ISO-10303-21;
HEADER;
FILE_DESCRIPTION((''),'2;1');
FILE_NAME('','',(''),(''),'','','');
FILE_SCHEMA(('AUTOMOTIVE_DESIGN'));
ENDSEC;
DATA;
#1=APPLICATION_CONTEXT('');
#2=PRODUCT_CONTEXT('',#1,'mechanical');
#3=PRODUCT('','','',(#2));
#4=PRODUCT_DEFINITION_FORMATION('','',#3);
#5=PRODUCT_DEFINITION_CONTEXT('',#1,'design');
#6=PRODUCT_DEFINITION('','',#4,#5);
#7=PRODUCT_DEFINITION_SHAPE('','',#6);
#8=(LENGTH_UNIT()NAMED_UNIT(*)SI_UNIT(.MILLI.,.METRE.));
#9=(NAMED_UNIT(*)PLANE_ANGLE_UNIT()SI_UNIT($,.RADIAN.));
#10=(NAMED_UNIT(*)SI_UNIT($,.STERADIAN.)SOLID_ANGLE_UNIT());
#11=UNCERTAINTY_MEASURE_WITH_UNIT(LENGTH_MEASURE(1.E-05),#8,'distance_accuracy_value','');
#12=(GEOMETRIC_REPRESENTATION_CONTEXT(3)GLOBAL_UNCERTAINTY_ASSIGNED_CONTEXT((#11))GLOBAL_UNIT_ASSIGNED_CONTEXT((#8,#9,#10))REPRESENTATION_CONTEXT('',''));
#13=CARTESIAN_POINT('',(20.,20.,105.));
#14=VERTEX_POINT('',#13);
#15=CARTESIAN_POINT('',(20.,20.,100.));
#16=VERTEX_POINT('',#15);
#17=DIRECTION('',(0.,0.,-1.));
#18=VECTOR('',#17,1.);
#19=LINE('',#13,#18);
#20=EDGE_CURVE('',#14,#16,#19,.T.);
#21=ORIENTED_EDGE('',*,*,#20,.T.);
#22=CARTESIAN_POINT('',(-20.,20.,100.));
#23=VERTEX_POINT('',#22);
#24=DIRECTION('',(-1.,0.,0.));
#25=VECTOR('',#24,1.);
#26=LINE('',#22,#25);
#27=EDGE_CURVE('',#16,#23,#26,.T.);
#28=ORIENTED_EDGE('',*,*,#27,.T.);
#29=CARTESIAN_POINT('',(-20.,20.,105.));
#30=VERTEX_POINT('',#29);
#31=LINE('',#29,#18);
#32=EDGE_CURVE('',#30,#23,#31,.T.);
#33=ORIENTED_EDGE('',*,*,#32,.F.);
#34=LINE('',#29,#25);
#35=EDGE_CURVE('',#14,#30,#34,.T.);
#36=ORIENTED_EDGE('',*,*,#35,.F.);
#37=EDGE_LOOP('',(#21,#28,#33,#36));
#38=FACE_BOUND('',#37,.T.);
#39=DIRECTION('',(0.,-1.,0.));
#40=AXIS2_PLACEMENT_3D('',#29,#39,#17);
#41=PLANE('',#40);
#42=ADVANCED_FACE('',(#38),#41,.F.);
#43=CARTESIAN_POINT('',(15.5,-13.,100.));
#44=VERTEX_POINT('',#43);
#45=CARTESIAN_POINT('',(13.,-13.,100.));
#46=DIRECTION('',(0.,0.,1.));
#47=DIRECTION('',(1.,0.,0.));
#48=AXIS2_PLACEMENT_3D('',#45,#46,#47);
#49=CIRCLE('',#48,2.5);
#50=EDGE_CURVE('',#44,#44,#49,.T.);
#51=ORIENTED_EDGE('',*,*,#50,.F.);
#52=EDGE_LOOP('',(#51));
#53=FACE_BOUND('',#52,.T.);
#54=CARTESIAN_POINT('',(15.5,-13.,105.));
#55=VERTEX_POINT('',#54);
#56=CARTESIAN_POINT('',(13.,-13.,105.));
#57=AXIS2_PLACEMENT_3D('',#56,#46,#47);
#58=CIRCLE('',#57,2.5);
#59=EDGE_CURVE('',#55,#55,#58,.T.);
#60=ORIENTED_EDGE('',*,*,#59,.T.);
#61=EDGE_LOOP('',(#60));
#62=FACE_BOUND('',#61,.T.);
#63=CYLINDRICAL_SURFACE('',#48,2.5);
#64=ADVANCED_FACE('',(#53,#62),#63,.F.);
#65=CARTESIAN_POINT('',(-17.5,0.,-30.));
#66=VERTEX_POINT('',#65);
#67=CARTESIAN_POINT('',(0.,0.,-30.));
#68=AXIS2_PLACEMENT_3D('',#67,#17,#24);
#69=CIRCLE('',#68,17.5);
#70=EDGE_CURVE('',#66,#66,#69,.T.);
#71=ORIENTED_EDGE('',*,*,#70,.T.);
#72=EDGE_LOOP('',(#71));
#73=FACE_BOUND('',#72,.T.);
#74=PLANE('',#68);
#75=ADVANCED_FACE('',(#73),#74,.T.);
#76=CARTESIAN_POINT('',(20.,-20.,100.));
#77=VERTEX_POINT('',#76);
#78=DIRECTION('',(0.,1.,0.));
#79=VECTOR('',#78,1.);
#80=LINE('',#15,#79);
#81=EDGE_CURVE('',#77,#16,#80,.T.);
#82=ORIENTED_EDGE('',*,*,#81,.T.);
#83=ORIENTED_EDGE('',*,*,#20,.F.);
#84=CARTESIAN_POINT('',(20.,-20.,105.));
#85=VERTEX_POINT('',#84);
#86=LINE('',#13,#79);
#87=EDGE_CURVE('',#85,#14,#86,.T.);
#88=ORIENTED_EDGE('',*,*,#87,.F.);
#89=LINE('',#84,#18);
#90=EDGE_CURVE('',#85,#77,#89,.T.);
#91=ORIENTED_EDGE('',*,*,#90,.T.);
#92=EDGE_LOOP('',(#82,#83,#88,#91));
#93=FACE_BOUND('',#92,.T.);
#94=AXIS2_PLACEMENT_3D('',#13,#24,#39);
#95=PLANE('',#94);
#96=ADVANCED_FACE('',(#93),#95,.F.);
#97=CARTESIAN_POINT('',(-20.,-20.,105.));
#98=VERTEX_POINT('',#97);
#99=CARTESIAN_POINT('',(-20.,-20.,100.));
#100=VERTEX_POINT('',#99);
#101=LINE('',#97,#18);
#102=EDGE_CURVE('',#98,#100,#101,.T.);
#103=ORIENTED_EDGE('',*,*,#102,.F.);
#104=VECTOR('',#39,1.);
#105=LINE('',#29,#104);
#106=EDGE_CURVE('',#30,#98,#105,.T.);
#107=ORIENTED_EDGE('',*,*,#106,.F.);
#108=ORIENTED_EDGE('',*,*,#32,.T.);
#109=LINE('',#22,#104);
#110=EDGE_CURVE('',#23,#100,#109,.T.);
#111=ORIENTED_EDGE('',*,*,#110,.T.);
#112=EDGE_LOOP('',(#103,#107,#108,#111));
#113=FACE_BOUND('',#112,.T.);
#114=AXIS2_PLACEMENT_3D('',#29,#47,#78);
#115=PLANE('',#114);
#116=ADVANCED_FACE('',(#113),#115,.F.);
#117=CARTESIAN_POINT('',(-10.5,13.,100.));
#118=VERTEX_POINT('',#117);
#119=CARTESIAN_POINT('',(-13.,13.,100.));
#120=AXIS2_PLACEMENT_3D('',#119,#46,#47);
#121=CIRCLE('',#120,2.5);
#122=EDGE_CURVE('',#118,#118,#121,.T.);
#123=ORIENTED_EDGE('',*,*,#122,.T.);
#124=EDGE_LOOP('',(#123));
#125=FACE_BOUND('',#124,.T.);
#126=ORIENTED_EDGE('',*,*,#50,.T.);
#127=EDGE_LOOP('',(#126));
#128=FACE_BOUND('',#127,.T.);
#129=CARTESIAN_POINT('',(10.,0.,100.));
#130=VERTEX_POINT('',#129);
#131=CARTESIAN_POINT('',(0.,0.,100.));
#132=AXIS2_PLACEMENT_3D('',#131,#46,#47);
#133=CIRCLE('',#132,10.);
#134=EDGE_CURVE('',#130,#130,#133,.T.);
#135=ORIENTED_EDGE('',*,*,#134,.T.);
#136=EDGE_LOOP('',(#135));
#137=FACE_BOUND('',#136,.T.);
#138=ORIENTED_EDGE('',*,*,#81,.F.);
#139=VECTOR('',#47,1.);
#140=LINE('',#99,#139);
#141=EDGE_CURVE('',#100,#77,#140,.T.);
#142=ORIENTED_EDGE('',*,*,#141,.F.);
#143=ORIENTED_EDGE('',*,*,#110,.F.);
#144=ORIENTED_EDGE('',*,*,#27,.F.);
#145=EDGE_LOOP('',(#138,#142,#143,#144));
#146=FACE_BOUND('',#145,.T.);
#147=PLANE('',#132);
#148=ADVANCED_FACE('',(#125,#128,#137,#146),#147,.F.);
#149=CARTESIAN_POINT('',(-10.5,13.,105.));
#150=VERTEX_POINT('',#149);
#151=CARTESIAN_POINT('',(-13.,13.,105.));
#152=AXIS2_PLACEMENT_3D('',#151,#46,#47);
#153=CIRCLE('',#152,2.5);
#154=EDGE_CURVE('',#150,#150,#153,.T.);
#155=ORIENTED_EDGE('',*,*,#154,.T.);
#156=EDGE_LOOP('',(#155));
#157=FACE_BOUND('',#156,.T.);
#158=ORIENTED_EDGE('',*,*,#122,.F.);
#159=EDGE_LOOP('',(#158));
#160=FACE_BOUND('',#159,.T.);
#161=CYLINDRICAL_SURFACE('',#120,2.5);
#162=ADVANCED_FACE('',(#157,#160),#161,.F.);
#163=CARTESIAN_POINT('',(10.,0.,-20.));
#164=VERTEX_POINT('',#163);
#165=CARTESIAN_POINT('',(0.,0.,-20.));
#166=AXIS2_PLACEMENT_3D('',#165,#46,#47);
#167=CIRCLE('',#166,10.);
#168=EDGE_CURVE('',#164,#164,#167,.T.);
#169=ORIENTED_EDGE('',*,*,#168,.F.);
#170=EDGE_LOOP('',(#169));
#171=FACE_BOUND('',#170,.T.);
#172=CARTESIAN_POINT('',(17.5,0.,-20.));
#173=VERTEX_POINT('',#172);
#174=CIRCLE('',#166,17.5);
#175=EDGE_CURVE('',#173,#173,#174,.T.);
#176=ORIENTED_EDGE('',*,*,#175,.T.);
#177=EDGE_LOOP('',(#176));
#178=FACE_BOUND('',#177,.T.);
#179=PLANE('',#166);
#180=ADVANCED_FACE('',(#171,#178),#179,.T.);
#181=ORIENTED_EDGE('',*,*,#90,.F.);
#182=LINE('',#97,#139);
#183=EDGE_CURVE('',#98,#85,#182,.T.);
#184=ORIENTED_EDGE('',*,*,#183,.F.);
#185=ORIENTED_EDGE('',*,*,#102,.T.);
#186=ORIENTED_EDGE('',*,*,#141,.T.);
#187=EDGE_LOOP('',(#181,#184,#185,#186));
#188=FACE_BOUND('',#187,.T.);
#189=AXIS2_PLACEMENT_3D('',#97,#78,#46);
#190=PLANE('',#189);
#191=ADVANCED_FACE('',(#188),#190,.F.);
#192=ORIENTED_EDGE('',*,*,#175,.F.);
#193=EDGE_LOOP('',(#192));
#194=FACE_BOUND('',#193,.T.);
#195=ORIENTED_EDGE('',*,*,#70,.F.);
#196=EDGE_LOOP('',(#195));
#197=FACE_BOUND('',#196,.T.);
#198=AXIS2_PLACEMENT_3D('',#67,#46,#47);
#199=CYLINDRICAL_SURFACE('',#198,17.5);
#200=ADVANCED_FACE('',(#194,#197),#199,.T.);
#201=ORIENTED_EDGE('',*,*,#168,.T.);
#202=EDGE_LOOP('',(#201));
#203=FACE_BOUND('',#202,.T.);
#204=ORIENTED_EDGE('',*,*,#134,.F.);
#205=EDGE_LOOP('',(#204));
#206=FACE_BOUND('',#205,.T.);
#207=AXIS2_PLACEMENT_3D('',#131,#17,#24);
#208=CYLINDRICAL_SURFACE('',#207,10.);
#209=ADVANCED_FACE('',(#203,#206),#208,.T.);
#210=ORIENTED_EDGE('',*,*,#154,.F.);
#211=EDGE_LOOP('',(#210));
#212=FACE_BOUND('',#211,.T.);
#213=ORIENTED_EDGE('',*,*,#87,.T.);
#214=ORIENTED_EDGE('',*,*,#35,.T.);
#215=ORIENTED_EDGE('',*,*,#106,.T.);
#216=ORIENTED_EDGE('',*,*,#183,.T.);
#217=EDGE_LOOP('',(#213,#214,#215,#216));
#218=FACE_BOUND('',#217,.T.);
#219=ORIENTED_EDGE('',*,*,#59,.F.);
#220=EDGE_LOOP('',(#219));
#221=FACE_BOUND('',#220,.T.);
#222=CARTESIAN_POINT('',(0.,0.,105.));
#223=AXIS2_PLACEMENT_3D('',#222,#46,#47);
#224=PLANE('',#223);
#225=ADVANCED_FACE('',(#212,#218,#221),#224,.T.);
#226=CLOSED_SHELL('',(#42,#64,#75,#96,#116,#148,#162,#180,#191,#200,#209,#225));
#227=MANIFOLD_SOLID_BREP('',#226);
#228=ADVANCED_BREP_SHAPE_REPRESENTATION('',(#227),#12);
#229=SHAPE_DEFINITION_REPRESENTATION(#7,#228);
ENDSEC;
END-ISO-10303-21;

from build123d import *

# Parameters (mm, degrees)
ESQUISSE1_R             = 10
BOSS_EXTRU_1_DEPTH      = 100
ESQUISSE2_R             = 17.5
BOSS_EXTRU_2_DEPTH      = 30
ESQUISSE3_W             = 40
ESQUISSE3_H             = 40
BOSS_EXTRU_3_DEPTH      = 5
ESQUISSE4_R             = 2.5
ENL_V_MAT_EXTRU_1_DEPTH = 5
ESQUISSE5_OUTSIDE_W     = 71.274
ESQUISSE5_OUTSIDE_H     = 71.274
ESQUISSE5_OUTSIDE_R     = 10
ENL_V_MAT_EXTRU_3_DEPTH = 20


with BuildPart() as part:
    # Esquisse1 → Boss.-Extru.1 (new body)
    with BuildSketch(Plane.XY):
        Circle(ESQUISSE1_R)
    extrude(amount=BOSS_EXTRU_1_DEPTH)

    # Esquisse2 → Boss.-Extru.2 (add)
    with BuildSketch(Plane(origin=(0, 0, 0), x_dir=(-1, 0, 0), z_dir=(0, 0, -1))):
        Circle(ESQUISSE2_R)
    extrude(amount=BOSS_EXTRU_2_DEPTH)

    # Esquisse3 → Boss.-Extru.3 (add)
    with BuildSketch(Plane.XY.offset(100)):
        Rectangle(ESQUISSE3_W, ESQUISSE3_H)
    extrude(amount=BOSS_EXTRU_3_DEPTH)

    # Esquisse4 → Enlèv. mat.-Extru.1 (cut)
    with BuildSketch(Plane.XY.offset(105)):
        with Locations((-13, 13)):
            Circle(ESQUISSE4_R)
        with Locations((13, -13)):
            Circle(ESQUISSE4_R)
    extrude(amount=-ENL_V_MAT_EXTRU_1_DEPTH, mode=Mode.SUBTRACT)

    # Esquisse5 outside → Enlèv. mat.-Extru.3 (cut)
    with BuildSketch(Plane.XY):
        Rectangle(ESQUISSE5_OUTSIDE_W, ESQUISSE5_OUTSIDE_H)
        Circle(ESQUISSE5_OUTSIDE_R, mode=Mode.SUBTRACT)
    extrude(amount=-ENL_V_MAT_EXTRU_3_DEPTH, mode=Mode.SUBTRACT)


solid = part.part
